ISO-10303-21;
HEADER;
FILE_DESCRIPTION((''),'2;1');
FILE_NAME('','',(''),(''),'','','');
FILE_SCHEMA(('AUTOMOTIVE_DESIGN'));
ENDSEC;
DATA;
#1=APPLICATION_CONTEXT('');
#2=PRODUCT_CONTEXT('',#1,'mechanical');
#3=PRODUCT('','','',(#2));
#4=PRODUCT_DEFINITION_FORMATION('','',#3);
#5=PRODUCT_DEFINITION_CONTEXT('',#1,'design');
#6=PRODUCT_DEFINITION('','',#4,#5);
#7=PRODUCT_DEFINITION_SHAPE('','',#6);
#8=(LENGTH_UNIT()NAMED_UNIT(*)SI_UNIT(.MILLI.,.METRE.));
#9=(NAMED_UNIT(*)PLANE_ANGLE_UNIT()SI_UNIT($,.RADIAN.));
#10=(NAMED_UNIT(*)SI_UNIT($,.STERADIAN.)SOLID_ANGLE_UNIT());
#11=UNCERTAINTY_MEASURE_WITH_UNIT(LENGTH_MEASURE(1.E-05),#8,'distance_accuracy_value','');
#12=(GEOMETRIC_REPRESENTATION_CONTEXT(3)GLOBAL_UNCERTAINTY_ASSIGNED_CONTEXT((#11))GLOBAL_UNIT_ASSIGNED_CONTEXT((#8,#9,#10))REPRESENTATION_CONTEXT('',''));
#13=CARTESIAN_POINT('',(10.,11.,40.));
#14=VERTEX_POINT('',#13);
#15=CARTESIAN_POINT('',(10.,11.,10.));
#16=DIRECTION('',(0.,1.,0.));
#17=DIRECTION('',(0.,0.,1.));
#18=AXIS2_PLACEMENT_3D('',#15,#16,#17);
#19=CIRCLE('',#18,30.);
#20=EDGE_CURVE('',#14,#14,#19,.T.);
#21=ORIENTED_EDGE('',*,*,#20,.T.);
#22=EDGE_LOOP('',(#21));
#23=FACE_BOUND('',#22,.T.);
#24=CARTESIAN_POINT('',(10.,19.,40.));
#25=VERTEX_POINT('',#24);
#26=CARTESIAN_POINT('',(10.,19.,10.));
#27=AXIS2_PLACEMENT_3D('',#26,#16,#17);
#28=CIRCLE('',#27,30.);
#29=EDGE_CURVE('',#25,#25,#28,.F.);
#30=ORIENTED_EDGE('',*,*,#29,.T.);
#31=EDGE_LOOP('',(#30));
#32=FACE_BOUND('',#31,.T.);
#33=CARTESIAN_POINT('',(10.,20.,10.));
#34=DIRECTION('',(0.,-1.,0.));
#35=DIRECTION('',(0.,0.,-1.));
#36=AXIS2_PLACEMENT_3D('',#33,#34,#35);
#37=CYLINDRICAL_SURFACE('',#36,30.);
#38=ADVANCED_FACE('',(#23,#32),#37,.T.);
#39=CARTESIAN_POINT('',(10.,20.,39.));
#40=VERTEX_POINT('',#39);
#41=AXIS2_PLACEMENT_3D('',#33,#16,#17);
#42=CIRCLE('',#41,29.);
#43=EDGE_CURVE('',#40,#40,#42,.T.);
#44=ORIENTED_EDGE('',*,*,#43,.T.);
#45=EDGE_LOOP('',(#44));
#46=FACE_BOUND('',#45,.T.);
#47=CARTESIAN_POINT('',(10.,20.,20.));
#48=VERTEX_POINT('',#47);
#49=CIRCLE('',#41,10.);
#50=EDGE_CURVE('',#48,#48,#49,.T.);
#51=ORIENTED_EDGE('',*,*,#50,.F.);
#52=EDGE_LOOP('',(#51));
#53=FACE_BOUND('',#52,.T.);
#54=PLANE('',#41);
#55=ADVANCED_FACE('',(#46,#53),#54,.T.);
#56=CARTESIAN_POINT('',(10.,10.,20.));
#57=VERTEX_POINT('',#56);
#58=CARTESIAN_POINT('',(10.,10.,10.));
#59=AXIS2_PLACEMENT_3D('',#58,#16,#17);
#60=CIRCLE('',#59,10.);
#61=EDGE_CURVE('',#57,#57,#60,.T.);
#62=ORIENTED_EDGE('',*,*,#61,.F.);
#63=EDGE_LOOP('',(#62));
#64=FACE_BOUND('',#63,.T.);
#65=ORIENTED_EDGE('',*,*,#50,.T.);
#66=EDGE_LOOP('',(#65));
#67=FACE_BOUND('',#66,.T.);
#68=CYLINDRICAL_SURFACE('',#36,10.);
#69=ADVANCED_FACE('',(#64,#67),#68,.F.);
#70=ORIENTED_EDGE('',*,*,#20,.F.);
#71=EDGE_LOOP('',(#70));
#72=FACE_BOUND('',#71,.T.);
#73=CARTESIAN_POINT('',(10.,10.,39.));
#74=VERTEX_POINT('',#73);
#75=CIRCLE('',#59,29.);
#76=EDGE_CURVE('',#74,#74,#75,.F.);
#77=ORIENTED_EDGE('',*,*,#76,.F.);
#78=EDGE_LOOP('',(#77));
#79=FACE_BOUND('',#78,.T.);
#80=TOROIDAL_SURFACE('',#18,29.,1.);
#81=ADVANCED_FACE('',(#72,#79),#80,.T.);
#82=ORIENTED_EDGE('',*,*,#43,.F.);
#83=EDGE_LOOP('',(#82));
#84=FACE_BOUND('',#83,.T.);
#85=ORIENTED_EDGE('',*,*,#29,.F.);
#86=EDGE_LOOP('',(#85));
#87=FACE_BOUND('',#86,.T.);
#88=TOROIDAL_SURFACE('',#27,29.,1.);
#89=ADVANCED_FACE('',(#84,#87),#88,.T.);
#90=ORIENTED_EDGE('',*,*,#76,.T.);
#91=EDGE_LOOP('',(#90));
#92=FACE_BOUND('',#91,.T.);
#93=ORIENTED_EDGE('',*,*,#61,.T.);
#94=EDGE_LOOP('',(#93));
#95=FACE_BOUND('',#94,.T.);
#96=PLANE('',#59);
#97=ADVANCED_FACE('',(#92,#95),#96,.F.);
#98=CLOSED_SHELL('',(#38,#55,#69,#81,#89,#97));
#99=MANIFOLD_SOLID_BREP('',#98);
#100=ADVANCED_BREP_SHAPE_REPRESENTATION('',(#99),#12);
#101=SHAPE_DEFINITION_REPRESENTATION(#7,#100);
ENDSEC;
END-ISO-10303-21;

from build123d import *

# Parameters (mm, degrees)
SKIZZE1_R                       = 30
SKIZZE1_R_2                     = 10
AUFSATZ_LINEAR_AUSTRAGEN1_DEPTH = 10
VERRUNDUNG1_R                   = 1


with BuildPart() as part:
    # Skizze1 → Aufsatz-Linear austragen1 (new body)
    with BuildSketch(Plane(origin=(0, 10, 0), x_dir=(1, 0, 0), z_dir=(0, 1, 0))):
        with Locations(Location((10, -10, 0), (0, 0, 270))):
            Circle(SKIZZE1_R)
        with Locations(Location((10, -10, 0), (0, 0, 270))):
            Circle(SKIZZE1_R_2, mode=Mode.SUBTRACT)
    extrude(amount=AUFSATZ_LINEAR_AUSTRAGEN1_DEPTH)

    # Verrundung1
    verrundung1_edges = [part.edges().sort_by_distance(p)[0] for p in [
        (10, 10, -20),
        (10, 20, -20),
    ]]
    fillet(verrundung1_edges, radius=VERRUNDUNG1_R)


solid = part.part
